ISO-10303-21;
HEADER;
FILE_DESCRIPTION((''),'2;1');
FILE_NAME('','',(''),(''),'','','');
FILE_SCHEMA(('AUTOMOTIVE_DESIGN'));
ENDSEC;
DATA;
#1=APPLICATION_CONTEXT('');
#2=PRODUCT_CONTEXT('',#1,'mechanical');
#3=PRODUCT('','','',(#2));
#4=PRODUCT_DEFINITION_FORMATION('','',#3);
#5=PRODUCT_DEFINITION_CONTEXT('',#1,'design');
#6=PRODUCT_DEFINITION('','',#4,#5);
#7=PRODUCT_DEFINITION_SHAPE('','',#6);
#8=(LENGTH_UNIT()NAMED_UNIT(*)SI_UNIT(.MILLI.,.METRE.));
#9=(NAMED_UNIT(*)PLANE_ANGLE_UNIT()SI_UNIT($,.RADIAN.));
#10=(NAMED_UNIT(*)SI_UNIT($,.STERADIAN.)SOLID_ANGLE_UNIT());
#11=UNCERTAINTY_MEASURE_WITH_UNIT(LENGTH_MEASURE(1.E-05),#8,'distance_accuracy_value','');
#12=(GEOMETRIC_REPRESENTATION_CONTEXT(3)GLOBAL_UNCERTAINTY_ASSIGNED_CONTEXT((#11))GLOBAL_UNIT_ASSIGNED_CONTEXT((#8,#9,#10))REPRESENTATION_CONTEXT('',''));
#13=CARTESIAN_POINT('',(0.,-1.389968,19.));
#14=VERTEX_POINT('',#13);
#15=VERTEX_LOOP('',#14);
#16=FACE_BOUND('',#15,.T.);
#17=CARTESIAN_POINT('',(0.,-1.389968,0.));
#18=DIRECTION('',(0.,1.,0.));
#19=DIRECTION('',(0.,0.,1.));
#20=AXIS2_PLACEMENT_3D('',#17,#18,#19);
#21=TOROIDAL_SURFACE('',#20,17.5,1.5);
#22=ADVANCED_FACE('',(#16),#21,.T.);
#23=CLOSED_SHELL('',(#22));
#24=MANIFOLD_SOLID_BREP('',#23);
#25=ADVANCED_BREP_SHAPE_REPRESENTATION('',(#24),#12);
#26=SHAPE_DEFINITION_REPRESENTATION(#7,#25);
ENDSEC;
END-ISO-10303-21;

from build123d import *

# Parameters (mm, degrees)
SZKIC1_R = 1.5


with BuildPart() as part:
    # Szkic1 → Obrót1 (revolve)
    with BuildSketch(Plane.XY, mode=Mode.PRIVATE) as obr_t1_sk:
        with Locations((-17.5, -1.38996772)):
            Circle(SZKIC1_R)
    revolve(obr_t1_sk.sketch.rotate(Axis((0, 5.124503541, 0), (0, -1, 0)), 270), axis=Axis((0, 5.124503541, 0), (0, -1, 0)))


solid = part.part
